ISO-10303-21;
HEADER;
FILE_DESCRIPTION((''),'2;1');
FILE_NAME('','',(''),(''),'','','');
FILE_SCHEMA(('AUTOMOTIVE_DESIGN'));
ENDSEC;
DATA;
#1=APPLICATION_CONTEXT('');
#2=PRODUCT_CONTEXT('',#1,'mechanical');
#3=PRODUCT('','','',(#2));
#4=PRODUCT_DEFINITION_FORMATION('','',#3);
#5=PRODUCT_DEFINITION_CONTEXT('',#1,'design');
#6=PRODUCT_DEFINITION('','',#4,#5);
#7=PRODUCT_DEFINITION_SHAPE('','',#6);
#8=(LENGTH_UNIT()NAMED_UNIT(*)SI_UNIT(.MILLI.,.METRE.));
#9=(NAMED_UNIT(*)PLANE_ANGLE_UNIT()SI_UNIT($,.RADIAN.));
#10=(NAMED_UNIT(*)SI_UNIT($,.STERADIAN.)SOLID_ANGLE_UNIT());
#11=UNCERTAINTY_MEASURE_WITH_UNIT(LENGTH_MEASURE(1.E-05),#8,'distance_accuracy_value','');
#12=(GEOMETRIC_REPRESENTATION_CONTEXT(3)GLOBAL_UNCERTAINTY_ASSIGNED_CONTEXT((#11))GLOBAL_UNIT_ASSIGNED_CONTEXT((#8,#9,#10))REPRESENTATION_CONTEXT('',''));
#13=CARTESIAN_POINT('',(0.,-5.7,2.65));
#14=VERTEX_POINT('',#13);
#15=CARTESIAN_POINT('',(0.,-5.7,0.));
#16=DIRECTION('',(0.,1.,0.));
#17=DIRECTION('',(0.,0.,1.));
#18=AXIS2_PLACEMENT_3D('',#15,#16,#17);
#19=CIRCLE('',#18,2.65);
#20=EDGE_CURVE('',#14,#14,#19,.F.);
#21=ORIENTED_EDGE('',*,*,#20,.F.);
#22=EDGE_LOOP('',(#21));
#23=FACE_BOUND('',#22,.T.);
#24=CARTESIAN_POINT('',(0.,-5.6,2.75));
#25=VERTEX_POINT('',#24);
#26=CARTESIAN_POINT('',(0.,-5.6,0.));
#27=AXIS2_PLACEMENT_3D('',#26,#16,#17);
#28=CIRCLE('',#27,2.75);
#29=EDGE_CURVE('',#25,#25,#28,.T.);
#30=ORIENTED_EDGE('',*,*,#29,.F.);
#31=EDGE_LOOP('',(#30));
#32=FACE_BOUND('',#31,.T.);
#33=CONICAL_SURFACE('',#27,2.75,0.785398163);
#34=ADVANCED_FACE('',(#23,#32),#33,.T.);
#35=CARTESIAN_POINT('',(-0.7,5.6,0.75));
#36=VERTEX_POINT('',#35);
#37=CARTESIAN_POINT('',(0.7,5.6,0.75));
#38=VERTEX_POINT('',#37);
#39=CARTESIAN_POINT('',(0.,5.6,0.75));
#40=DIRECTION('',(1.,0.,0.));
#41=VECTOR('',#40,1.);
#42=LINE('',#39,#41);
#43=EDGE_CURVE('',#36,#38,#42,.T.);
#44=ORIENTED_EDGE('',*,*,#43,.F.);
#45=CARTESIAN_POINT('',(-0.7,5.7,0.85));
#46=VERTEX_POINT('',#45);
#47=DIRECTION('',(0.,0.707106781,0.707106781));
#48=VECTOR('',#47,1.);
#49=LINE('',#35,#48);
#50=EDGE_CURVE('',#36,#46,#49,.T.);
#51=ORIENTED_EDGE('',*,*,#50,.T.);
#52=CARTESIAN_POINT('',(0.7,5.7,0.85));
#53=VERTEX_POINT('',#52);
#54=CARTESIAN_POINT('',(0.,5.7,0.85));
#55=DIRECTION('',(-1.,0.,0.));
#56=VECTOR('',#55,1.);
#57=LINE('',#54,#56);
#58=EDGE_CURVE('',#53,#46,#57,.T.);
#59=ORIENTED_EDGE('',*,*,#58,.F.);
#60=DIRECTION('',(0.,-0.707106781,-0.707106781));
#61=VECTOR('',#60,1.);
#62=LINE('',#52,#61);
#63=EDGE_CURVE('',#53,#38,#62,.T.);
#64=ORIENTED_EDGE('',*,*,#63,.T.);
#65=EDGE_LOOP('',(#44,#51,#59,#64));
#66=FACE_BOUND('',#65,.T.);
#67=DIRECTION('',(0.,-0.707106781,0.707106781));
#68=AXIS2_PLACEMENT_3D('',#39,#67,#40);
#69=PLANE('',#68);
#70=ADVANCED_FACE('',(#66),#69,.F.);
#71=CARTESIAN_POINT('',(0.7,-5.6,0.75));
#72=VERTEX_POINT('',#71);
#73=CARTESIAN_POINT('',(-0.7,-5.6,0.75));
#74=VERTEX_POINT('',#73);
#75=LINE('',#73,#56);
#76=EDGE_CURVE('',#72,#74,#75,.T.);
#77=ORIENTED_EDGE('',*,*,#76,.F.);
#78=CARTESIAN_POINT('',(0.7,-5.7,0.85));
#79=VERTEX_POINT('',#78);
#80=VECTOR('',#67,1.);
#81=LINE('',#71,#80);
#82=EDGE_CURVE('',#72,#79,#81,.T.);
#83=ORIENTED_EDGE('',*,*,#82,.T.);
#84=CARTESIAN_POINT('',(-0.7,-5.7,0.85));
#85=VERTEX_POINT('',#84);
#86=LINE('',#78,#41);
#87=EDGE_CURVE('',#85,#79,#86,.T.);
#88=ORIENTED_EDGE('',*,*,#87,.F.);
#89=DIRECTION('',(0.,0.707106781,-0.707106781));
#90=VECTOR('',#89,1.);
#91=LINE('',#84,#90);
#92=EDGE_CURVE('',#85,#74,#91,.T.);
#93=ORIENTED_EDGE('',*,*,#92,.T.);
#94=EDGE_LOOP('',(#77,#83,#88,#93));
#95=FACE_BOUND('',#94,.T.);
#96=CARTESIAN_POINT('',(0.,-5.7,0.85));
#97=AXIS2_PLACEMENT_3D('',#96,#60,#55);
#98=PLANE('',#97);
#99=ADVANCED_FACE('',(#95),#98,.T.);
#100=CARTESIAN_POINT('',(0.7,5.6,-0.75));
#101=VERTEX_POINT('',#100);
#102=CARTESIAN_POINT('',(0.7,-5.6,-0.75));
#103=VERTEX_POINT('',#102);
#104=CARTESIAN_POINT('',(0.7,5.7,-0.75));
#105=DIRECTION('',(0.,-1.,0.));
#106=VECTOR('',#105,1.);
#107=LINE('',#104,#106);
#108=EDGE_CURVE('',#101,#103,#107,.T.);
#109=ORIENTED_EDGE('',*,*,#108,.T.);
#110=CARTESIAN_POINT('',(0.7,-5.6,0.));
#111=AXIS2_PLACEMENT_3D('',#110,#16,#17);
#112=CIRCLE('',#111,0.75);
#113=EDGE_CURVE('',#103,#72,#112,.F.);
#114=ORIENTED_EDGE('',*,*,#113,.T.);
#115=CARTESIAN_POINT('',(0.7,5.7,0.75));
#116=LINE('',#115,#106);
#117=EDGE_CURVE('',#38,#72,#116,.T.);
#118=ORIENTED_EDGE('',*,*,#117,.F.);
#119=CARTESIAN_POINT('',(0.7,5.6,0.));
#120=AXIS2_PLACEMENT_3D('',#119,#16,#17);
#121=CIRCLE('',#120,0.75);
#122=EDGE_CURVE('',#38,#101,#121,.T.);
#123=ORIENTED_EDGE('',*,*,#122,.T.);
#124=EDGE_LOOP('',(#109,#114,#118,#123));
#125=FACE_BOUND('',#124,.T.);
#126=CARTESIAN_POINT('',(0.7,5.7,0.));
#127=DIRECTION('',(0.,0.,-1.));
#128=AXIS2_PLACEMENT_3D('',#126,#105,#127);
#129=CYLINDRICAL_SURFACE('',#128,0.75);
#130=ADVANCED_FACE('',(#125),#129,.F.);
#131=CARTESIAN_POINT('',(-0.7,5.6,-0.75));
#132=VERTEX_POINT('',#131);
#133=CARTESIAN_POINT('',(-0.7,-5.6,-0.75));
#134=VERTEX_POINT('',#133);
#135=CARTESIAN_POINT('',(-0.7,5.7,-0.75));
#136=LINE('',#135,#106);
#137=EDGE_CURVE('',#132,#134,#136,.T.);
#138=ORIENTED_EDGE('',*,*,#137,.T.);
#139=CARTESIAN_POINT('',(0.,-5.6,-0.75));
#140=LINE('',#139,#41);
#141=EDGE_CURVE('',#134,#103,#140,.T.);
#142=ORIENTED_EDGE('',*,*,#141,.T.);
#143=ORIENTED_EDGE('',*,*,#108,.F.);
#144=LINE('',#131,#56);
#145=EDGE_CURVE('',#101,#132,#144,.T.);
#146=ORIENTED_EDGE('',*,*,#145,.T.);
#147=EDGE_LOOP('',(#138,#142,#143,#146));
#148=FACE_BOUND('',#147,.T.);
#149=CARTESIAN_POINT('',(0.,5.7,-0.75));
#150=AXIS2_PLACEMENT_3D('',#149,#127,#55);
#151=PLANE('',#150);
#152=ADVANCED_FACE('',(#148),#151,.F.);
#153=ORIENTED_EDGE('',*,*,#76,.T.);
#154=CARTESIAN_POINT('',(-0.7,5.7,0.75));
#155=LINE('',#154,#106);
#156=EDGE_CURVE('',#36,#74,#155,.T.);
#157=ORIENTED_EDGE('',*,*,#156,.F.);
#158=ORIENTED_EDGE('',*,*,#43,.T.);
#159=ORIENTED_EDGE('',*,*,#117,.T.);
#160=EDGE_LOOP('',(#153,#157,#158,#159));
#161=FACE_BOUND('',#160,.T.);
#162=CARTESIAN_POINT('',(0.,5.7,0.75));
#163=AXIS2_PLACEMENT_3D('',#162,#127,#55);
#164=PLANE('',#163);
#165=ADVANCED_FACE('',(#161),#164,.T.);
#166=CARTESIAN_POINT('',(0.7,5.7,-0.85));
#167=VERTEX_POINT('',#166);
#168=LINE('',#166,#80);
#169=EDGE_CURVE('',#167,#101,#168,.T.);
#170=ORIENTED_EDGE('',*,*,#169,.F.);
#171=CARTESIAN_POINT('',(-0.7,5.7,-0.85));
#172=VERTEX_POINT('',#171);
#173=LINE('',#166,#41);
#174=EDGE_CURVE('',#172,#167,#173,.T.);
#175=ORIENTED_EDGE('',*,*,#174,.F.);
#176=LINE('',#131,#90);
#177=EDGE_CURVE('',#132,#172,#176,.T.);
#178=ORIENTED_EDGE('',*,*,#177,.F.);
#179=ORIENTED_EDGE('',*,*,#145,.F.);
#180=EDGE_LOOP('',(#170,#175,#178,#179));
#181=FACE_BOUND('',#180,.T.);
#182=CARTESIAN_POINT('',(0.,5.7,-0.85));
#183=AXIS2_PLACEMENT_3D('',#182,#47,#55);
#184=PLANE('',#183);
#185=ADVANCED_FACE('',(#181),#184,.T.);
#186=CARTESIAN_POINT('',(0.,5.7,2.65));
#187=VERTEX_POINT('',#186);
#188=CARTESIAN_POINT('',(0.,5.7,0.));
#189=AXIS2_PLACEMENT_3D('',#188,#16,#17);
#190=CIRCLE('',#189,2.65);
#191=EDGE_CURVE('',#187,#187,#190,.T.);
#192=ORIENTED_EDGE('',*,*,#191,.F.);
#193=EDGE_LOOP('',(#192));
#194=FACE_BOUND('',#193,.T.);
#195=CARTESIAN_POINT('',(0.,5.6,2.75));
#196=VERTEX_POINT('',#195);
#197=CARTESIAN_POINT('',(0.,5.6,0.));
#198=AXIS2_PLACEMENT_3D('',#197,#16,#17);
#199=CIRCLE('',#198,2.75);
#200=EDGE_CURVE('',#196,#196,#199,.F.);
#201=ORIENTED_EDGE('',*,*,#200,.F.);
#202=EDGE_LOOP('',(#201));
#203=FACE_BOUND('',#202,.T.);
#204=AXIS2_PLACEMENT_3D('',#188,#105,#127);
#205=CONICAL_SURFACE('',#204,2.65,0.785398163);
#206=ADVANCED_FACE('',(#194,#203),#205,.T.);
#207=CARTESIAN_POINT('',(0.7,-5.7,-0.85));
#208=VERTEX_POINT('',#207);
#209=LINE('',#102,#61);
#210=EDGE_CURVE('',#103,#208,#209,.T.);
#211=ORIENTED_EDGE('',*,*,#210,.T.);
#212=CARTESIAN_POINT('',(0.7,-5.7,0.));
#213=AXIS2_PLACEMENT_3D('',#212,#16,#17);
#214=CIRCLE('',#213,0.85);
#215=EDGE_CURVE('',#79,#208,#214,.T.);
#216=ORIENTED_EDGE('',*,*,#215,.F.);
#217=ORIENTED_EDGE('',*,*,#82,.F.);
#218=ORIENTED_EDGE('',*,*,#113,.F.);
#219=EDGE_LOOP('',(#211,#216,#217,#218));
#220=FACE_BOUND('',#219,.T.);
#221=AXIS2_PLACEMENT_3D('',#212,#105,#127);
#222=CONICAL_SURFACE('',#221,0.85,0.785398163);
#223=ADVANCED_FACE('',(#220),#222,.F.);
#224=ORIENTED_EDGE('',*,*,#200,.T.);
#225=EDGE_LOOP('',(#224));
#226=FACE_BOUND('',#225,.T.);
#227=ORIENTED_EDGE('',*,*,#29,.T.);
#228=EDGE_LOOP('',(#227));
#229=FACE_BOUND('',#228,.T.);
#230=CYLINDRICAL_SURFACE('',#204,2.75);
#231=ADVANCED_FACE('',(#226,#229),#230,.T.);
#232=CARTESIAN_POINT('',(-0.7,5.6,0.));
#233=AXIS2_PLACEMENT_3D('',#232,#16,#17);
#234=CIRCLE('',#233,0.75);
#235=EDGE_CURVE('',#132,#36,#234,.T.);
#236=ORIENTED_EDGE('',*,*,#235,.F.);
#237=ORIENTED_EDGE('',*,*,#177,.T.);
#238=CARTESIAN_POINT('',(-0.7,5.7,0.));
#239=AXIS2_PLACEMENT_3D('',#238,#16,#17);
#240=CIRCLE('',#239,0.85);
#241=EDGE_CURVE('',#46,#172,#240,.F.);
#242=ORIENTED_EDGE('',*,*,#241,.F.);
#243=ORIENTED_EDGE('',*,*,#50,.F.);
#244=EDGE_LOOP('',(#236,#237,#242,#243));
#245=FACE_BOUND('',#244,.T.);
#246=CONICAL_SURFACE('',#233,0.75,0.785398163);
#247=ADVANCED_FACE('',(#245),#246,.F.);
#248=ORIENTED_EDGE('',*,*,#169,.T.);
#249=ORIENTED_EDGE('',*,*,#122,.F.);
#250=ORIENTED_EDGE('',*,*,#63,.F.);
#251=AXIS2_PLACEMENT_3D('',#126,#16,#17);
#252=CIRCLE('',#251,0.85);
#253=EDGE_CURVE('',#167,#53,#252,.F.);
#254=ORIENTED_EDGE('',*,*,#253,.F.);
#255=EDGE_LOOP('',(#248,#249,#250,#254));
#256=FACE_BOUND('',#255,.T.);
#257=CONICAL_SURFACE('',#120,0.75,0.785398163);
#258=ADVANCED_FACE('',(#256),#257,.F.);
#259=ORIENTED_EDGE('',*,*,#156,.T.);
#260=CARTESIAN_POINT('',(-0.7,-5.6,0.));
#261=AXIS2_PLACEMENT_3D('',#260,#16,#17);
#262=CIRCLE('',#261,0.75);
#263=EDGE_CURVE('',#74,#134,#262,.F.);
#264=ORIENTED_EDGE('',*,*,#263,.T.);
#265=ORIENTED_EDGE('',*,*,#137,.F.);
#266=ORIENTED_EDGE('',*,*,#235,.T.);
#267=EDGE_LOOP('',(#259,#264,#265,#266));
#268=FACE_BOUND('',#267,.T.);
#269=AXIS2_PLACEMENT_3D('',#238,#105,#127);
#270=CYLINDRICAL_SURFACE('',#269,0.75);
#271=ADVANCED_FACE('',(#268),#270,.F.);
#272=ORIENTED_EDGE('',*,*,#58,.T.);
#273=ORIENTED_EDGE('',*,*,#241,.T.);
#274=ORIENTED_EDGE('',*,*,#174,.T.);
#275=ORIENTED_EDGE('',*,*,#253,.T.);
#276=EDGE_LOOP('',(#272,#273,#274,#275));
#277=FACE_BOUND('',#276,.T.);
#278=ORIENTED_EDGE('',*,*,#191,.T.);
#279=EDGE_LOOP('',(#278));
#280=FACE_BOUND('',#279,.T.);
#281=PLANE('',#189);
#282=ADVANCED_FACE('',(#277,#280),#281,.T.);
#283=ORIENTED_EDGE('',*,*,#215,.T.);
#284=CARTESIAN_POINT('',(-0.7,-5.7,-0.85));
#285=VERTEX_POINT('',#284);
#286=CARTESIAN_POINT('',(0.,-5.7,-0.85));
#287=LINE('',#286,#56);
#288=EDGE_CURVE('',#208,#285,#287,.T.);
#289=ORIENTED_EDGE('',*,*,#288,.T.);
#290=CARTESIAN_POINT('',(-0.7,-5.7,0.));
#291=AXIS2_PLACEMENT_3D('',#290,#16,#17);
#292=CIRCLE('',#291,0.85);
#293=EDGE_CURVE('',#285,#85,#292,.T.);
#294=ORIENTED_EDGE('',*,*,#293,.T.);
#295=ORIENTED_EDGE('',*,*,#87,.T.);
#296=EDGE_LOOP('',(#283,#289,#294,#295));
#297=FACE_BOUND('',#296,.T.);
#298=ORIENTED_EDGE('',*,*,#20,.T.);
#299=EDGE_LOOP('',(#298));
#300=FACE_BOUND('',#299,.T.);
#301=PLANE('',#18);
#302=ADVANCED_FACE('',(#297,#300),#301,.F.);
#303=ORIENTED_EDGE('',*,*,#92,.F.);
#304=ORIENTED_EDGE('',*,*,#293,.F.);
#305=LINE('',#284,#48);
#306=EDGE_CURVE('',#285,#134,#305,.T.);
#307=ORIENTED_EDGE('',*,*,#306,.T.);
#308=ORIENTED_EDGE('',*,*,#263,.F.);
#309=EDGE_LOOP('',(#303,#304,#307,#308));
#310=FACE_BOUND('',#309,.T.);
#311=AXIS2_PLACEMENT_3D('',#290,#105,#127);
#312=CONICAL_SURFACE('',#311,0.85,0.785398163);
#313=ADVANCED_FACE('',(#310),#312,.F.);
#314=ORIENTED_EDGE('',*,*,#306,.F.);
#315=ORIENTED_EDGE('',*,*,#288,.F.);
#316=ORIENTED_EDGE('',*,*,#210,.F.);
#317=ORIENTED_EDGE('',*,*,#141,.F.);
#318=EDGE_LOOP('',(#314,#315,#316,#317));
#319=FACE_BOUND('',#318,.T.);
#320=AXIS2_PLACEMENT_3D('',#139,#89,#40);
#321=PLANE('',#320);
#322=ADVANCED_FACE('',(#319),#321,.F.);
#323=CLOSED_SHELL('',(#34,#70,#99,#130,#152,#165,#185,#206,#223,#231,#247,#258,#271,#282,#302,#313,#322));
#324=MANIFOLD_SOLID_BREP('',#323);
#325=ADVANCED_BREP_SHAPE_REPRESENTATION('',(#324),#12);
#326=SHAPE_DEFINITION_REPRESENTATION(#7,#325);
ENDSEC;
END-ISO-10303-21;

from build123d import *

# Parameters (mm, degrees)
SKETCH1_R          = 2.75
SKETCH1_R_2        = 1.45
MAIN_EXTRUDE_DEPTH = 5.7
MAIN_CHAMFER_SIZE  = 0.1


with BuildPart() as part:
    # Sketch1 → main extrude (new body, symmetric)
    with BuildSketch(Plane(origin=(0, 0, 0), x_dir=(1, 0, 0), z_dir=(0, 1, 0))):
        Circle(SKETCH1_R)
        Circle(SKETCH1_R_2, mode=Mode.SUBTRACT)
        with BuildLine():
            ThreePointArc((-0.7, -0.75), (-1.230330086, -0.530330086), (-1.45, 0))
            ThreePointArc((-1.45, 0), (0, -1.45), (1.45, 0))
            ThreePointArc((1.45, 0), (1.230330086, -0.530330086), (0.7, -0.75))
            Line((0.7, -0.75), (-0.7, -0.75))
        make_face()
        with BuildLine():
            ThreePointArc((-1.45, 0), (-1.230330086, 0.530330086), (-0.7, 0.75))
            Line((-0.7, 0.75), (0.7, 0.75))
            ThreePointArc((0.7, 0.75), (1.230330086, 0.530330086), (1.45, 0))
            ThreePointArc((1.45, 0), (0, 1.45), (-1.45, 0))
        make_face()
    extrude(amount=MAIN_EXTRUDE_DEPTH, both=True)

    # main chamfer
    main_chamfer_edges = [part.edges().sort_by_distance(p)[0] for p in [
        (0, 5.7, 0.75),
        (-1.45, 5.7, 0),
        (-2.75, 5.7, 0),
        (0, 5.7, -0.75),
        (-2.75, -5.7, 0),
        (-1.45, -5.7, 0),
        (0, -5.7, 0.75),
        (1.45, -5.7, 0),
        (0, -5.7, -0.75),
        (1.45, 5.7, 0),
    ]]
    chamfer(main_chamfer_edges, length=MAIN_CHAMFER_SIZE)


solid = part.part
